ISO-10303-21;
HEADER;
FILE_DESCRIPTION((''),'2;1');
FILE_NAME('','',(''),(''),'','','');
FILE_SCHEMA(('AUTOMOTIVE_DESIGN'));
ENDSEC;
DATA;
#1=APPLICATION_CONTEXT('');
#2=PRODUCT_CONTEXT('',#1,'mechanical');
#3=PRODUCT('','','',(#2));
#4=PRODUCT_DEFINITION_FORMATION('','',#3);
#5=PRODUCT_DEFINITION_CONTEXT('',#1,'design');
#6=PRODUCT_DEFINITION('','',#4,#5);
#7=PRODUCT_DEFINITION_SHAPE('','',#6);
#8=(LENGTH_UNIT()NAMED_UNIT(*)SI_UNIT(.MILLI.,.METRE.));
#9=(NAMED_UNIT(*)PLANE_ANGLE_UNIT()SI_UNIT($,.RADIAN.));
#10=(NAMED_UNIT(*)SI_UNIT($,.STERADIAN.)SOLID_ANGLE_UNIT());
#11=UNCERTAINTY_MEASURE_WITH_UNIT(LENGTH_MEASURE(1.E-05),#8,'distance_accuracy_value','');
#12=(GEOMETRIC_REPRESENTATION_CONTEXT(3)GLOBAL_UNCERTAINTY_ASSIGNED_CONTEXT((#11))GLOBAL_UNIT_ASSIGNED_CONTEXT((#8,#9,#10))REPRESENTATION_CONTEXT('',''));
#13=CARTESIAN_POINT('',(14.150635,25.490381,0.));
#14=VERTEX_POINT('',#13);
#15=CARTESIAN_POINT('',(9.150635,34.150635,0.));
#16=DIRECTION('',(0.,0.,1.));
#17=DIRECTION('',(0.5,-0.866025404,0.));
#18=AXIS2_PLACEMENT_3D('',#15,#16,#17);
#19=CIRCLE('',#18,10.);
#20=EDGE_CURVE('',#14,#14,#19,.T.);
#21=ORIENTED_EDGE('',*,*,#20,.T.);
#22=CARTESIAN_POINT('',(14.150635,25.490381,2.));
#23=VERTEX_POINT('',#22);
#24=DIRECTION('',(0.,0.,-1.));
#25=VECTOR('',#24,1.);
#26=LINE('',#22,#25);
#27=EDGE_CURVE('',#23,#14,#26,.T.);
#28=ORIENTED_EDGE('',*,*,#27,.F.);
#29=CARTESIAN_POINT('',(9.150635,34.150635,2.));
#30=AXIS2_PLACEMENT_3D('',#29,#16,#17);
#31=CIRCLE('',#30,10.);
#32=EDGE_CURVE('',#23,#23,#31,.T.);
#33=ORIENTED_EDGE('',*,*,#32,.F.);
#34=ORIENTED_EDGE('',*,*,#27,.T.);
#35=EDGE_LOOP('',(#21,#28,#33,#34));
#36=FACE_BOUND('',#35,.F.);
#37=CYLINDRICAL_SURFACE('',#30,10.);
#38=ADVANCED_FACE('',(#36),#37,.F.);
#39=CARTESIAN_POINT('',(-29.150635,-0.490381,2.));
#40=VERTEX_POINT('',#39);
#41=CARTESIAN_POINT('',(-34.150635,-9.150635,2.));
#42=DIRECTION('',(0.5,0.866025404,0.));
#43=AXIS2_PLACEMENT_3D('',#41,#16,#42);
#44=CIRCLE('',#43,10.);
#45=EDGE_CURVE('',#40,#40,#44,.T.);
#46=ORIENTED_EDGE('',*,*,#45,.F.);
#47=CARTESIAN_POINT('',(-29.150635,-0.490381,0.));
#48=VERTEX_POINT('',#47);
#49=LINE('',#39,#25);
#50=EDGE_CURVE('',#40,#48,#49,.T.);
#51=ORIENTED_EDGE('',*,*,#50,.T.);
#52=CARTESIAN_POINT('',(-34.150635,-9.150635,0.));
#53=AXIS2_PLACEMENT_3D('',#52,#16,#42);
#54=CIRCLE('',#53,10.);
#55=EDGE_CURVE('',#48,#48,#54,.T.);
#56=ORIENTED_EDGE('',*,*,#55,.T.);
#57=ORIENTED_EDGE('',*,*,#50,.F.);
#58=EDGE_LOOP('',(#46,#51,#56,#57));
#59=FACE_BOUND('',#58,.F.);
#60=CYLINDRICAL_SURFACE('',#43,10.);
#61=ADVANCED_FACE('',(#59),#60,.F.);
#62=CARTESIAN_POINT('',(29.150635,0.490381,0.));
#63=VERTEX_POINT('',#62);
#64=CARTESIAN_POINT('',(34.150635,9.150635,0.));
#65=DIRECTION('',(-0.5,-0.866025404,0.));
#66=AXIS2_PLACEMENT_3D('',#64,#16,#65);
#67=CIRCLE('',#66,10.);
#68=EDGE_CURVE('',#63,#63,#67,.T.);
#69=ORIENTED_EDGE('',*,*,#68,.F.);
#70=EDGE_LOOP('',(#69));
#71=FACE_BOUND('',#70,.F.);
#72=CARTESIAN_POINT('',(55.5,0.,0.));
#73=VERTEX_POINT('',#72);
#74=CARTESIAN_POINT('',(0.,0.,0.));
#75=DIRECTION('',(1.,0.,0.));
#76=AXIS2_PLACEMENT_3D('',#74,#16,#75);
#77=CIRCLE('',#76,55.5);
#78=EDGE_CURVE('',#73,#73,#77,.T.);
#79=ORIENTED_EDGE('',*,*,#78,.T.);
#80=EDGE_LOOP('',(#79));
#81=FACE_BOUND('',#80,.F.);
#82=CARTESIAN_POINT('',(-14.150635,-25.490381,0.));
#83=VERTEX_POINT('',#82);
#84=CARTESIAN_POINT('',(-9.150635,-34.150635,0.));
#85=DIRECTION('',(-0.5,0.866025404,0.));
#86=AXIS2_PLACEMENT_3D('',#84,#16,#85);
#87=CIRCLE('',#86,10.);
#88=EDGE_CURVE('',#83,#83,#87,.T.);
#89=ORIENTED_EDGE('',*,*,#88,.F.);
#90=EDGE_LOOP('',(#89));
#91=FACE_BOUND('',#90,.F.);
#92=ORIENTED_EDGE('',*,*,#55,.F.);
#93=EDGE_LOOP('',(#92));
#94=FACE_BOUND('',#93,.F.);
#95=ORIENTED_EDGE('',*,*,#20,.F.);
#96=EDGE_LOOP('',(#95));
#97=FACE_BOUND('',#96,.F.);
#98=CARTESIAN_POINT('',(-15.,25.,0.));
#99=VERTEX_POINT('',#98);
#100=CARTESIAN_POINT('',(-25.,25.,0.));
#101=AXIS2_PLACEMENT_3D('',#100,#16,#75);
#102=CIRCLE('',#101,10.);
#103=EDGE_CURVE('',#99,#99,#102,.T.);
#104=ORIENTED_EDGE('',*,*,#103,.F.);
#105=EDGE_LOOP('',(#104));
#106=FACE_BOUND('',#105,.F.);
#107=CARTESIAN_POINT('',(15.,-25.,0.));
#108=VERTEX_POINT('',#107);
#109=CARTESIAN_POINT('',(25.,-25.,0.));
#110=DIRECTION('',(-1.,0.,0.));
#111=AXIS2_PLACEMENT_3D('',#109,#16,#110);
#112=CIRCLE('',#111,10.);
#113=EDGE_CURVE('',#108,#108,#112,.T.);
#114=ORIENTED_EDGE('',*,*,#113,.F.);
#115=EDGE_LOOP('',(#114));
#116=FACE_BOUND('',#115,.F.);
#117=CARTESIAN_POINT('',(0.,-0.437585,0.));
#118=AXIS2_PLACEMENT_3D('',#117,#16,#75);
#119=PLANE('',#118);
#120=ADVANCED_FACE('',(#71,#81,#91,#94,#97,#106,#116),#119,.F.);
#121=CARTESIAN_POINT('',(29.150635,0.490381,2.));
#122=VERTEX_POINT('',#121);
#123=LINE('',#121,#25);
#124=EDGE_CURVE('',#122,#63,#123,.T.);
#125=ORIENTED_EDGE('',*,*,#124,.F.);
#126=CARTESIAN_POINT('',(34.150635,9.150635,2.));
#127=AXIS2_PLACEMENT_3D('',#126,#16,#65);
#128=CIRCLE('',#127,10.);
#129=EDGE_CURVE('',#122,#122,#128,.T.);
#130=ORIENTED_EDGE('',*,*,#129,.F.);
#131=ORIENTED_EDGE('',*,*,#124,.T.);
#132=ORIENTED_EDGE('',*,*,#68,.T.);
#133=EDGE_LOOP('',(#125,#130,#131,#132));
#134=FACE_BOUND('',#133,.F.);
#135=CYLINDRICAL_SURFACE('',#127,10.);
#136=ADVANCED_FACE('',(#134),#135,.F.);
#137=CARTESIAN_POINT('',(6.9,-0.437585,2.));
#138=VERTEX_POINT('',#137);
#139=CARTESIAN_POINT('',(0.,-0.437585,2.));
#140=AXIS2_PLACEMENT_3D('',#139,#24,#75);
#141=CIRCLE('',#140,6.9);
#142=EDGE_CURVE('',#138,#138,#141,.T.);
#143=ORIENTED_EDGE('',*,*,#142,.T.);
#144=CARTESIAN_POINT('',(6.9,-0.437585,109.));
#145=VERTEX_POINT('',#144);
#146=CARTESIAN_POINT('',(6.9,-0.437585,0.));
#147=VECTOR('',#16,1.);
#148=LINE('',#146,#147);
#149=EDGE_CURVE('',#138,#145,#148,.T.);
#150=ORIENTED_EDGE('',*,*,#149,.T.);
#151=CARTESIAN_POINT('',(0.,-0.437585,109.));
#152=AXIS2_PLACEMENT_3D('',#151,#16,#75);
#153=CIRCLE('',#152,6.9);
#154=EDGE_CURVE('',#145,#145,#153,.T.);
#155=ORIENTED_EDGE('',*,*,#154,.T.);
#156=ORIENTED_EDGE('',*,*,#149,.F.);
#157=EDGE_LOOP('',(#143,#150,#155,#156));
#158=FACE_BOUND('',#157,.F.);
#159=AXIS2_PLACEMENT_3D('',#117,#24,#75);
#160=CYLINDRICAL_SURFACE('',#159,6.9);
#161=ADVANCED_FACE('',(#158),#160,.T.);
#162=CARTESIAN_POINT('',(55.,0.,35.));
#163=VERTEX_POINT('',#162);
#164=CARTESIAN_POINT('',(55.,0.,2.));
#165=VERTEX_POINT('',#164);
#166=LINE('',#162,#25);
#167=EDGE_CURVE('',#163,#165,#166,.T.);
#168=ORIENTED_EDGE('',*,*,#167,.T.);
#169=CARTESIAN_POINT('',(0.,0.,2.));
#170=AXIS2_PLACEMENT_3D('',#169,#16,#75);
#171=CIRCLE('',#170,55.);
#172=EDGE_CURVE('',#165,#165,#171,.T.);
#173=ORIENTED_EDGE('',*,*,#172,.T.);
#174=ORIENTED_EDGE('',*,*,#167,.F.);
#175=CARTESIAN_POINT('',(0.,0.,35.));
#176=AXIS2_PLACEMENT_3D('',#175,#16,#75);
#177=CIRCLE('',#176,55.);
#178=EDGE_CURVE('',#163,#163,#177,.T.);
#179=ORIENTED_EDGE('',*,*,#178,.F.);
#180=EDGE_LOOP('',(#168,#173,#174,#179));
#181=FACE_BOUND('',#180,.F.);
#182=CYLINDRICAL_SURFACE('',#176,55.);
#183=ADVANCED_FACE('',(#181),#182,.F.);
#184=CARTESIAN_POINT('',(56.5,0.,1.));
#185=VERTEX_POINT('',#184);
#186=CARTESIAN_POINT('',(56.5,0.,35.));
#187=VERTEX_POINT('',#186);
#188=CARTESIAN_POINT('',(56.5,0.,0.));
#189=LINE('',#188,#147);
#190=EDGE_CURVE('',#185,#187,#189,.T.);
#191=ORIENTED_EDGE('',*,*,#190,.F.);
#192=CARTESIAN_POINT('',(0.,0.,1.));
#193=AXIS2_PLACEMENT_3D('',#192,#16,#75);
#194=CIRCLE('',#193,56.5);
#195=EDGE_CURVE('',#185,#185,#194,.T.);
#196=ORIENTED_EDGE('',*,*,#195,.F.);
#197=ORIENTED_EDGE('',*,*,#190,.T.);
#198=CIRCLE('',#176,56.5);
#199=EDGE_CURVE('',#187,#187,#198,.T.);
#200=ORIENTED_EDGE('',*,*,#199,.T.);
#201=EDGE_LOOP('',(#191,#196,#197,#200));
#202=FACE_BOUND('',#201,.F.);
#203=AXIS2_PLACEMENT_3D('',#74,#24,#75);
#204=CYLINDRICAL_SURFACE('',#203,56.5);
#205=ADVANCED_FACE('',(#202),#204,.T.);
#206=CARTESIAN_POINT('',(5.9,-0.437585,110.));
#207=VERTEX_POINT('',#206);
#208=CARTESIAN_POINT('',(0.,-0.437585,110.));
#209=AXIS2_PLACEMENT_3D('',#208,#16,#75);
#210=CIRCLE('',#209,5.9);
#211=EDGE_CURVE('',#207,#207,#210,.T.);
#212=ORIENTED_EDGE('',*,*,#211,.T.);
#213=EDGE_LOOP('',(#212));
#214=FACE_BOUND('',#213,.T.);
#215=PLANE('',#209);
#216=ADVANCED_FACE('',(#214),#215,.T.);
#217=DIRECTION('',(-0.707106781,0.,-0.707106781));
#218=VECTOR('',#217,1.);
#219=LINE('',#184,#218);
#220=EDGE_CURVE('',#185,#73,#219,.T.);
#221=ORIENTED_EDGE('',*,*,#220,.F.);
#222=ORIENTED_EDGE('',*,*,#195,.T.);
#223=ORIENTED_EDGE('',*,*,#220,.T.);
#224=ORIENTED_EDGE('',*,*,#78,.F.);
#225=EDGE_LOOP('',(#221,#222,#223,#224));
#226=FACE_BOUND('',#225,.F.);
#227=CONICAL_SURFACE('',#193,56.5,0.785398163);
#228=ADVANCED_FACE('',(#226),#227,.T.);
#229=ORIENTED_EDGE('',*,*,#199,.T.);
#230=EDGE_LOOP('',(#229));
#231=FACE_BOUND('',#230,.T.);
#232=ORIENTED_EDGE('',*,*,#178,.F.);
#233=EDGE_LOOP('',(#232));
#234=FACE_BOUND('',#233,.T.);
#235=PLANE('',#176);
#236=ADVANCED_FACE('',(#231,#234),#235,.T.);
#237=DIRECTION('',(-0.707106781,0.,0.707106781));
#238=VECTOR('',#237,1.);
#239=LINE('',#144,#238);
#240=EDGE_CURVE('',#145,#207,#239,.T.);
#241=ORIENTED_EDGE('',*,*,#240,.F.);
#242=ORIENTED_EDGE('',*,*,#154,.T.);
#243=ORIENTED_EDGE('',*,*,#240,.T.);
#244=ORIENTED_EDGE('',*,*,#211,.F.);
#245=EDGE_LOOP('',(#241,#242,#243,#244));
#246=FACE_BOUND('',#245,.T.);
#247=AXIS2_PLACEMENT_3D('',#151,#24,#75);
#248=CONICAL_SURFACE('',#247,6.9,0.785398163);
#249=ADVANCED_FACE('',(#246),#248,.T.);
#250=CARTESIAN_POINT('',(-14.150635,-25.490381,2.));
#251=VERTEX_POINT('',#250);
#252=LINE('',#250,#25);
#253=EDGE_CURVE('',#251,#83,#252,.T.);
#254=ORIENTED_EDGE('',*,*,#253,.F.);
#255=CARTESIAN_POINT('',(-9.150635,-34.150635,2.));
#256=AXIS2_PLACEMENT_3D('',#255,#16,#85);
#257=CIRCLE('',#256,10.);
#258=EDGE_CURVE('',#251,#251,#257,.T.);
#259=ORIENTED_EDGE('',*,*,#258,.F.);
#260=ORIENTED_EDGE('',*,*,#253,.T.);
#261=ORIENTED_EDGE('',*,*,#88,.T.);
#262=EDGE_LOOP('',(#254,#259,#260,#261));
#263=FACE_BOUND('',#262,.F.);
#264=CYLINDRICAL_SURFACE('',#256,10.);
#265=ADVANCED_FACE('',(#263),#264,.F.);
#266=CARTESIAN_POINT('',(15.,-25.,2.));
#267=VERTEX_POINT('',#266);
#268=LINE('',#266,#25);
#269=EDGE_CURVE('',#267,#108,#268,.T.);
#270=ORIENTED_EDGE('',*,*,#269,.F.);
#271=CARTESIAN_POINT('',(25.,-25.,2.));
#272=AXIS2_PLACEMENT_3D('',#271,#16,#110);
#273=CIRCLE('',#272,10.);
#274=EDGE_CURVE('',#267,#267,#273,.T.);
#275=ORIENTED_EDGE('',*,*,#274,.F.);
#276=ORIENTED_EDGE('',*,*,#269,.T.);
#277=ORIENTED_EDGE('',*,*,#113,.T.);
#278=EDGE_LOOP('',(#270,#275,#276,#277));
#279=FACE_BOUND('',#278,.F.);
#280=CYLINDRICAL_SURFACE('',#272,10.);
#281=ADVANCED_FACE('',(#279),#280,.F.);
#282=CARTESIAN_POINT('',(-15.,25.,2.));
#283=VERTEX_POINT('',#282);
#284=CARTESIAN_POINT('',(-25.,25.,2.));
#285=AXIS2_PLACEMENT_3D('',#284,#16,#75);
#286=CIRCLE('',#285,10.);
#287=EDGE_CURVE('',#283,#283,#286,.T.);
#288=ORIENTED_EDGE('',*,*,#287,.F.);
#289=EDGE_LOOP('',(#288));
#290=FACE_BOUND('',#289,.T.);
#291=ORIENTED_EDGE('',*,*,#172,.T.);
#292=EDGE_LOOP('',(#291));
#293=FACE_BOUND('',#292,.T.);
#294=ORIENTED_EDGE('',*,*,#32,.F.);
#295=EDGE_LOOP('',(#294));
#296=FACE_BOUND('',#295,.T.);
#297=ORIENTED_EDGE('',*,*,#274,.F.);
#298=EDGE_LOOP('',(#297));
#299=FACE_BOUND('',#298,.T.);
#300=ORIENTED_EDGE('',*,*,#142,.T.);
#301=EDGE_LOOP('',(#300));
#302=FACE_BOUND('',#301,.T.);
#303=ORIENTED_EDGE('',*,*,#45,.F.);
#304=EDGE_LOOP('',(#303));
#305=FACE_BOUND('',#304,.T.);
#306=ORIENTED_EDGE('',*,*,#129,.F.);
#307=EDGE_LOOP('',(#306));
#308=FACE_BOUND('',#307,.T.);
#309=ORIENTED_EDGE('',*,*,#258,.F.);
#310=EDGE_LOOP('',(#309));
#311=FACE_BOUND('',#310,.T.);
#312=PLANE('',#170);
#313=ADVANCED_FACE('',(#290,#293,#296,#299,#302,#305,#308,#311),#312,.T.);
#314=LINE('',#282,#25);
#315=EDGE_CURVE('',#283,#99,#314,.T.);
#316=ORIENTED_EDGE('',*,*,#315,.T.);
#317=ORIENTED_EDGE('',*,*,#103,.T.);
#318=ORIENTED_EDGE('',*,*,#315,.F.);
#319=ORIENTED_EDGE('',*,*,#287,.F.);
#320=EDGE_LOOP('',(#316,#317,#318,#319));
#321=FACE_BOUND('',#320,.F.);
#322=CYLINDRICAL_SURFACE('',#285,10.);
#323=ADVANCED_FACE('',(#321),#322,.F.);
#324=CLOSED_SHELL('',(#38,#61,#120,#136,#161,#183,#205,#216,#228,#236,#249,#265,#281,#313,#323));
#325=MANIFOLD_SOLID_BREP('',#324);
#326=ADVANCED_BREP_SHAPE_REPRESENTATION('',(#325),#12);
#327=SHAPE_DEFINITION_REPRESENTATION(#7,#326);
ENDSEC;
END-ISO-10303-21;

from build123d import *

# Parameters (mm, degrees)
SKETCH_R           = 56.5
PAD_DEPTH          = 35
SKETCH001_R        = 55
POCKET_DEPTH       = 33
SKETCH002_R        = 6.9
PAD001_DEPTH       = 110
CHAMFER_SIZE       = 1
CHAMFER001_SIZE    = 1
SKETCH006_R        = 10
POCKET002_DEPTH    = 5
POLARPATTERN_COUNT = 6


with BuildPart() as part:
    # Sketch → Pad (new body)
    with BuildSketch(Plane.XY):
        Circle(SKETCH_R)
    extrude(amount=PAD_DEPTH)

    # Sketch001 (on Face3 of Pad) → Pocket (cut)
    with BuildSketch(Plane.XY.offset(35)):
        Circle(SKETCH001_R)
    extrude(amount=-POCKET_DEPTH, mode=Mode.SUBTRACT)

    # Sketch002 → Pad001 (join)
    with BuildSketch(Plane.XY):
        with Locations((0, -0.437585)):
            Circle(SKETCH002_R)
    extrude(amount=PAD001_DEPTH)

    # Chamfer
    chamfer_edges = [part.edges().sort_by_distance(p)[0] for p in [
        (-6.9, -0.437585, 110),
    ]]
    chamfer(chamfer_edges, length=CHAMFER_SIZE)

    # Chamfer001
    chamfer001_edges = [part.edges().sort_by_distance(p)[0] for p in [
        (-56.5, 0, 0),
    ]]
    chamfer(chamfer001_edges, length=CHAMFER001_SIZE)

    # Sketch006 (on Face6 of Pad001) → Pocket002 (cut)
    with BuildSketch(Plane.XY.offset(2)):
        with Locations((-25, 25)):
            Circle(SKETCH006_R)
    pocket002 = extrude(amount=-POCKET002_DEPTH, mode=Mode.SUBTRACT)

    # PolarPattern: Pocket002 ×6 about axis
    polarpattern_axis = Axis((0, 0, 2), (0, 0, 1))
    for i in range(1, POLARPATTERN_COUNT):
        add(pocket002.rotate(polarpattern_axis, i * 360 / POLARPATTERN_COUNT), mode=Mode.SUBTRACT)


solid = part.part
